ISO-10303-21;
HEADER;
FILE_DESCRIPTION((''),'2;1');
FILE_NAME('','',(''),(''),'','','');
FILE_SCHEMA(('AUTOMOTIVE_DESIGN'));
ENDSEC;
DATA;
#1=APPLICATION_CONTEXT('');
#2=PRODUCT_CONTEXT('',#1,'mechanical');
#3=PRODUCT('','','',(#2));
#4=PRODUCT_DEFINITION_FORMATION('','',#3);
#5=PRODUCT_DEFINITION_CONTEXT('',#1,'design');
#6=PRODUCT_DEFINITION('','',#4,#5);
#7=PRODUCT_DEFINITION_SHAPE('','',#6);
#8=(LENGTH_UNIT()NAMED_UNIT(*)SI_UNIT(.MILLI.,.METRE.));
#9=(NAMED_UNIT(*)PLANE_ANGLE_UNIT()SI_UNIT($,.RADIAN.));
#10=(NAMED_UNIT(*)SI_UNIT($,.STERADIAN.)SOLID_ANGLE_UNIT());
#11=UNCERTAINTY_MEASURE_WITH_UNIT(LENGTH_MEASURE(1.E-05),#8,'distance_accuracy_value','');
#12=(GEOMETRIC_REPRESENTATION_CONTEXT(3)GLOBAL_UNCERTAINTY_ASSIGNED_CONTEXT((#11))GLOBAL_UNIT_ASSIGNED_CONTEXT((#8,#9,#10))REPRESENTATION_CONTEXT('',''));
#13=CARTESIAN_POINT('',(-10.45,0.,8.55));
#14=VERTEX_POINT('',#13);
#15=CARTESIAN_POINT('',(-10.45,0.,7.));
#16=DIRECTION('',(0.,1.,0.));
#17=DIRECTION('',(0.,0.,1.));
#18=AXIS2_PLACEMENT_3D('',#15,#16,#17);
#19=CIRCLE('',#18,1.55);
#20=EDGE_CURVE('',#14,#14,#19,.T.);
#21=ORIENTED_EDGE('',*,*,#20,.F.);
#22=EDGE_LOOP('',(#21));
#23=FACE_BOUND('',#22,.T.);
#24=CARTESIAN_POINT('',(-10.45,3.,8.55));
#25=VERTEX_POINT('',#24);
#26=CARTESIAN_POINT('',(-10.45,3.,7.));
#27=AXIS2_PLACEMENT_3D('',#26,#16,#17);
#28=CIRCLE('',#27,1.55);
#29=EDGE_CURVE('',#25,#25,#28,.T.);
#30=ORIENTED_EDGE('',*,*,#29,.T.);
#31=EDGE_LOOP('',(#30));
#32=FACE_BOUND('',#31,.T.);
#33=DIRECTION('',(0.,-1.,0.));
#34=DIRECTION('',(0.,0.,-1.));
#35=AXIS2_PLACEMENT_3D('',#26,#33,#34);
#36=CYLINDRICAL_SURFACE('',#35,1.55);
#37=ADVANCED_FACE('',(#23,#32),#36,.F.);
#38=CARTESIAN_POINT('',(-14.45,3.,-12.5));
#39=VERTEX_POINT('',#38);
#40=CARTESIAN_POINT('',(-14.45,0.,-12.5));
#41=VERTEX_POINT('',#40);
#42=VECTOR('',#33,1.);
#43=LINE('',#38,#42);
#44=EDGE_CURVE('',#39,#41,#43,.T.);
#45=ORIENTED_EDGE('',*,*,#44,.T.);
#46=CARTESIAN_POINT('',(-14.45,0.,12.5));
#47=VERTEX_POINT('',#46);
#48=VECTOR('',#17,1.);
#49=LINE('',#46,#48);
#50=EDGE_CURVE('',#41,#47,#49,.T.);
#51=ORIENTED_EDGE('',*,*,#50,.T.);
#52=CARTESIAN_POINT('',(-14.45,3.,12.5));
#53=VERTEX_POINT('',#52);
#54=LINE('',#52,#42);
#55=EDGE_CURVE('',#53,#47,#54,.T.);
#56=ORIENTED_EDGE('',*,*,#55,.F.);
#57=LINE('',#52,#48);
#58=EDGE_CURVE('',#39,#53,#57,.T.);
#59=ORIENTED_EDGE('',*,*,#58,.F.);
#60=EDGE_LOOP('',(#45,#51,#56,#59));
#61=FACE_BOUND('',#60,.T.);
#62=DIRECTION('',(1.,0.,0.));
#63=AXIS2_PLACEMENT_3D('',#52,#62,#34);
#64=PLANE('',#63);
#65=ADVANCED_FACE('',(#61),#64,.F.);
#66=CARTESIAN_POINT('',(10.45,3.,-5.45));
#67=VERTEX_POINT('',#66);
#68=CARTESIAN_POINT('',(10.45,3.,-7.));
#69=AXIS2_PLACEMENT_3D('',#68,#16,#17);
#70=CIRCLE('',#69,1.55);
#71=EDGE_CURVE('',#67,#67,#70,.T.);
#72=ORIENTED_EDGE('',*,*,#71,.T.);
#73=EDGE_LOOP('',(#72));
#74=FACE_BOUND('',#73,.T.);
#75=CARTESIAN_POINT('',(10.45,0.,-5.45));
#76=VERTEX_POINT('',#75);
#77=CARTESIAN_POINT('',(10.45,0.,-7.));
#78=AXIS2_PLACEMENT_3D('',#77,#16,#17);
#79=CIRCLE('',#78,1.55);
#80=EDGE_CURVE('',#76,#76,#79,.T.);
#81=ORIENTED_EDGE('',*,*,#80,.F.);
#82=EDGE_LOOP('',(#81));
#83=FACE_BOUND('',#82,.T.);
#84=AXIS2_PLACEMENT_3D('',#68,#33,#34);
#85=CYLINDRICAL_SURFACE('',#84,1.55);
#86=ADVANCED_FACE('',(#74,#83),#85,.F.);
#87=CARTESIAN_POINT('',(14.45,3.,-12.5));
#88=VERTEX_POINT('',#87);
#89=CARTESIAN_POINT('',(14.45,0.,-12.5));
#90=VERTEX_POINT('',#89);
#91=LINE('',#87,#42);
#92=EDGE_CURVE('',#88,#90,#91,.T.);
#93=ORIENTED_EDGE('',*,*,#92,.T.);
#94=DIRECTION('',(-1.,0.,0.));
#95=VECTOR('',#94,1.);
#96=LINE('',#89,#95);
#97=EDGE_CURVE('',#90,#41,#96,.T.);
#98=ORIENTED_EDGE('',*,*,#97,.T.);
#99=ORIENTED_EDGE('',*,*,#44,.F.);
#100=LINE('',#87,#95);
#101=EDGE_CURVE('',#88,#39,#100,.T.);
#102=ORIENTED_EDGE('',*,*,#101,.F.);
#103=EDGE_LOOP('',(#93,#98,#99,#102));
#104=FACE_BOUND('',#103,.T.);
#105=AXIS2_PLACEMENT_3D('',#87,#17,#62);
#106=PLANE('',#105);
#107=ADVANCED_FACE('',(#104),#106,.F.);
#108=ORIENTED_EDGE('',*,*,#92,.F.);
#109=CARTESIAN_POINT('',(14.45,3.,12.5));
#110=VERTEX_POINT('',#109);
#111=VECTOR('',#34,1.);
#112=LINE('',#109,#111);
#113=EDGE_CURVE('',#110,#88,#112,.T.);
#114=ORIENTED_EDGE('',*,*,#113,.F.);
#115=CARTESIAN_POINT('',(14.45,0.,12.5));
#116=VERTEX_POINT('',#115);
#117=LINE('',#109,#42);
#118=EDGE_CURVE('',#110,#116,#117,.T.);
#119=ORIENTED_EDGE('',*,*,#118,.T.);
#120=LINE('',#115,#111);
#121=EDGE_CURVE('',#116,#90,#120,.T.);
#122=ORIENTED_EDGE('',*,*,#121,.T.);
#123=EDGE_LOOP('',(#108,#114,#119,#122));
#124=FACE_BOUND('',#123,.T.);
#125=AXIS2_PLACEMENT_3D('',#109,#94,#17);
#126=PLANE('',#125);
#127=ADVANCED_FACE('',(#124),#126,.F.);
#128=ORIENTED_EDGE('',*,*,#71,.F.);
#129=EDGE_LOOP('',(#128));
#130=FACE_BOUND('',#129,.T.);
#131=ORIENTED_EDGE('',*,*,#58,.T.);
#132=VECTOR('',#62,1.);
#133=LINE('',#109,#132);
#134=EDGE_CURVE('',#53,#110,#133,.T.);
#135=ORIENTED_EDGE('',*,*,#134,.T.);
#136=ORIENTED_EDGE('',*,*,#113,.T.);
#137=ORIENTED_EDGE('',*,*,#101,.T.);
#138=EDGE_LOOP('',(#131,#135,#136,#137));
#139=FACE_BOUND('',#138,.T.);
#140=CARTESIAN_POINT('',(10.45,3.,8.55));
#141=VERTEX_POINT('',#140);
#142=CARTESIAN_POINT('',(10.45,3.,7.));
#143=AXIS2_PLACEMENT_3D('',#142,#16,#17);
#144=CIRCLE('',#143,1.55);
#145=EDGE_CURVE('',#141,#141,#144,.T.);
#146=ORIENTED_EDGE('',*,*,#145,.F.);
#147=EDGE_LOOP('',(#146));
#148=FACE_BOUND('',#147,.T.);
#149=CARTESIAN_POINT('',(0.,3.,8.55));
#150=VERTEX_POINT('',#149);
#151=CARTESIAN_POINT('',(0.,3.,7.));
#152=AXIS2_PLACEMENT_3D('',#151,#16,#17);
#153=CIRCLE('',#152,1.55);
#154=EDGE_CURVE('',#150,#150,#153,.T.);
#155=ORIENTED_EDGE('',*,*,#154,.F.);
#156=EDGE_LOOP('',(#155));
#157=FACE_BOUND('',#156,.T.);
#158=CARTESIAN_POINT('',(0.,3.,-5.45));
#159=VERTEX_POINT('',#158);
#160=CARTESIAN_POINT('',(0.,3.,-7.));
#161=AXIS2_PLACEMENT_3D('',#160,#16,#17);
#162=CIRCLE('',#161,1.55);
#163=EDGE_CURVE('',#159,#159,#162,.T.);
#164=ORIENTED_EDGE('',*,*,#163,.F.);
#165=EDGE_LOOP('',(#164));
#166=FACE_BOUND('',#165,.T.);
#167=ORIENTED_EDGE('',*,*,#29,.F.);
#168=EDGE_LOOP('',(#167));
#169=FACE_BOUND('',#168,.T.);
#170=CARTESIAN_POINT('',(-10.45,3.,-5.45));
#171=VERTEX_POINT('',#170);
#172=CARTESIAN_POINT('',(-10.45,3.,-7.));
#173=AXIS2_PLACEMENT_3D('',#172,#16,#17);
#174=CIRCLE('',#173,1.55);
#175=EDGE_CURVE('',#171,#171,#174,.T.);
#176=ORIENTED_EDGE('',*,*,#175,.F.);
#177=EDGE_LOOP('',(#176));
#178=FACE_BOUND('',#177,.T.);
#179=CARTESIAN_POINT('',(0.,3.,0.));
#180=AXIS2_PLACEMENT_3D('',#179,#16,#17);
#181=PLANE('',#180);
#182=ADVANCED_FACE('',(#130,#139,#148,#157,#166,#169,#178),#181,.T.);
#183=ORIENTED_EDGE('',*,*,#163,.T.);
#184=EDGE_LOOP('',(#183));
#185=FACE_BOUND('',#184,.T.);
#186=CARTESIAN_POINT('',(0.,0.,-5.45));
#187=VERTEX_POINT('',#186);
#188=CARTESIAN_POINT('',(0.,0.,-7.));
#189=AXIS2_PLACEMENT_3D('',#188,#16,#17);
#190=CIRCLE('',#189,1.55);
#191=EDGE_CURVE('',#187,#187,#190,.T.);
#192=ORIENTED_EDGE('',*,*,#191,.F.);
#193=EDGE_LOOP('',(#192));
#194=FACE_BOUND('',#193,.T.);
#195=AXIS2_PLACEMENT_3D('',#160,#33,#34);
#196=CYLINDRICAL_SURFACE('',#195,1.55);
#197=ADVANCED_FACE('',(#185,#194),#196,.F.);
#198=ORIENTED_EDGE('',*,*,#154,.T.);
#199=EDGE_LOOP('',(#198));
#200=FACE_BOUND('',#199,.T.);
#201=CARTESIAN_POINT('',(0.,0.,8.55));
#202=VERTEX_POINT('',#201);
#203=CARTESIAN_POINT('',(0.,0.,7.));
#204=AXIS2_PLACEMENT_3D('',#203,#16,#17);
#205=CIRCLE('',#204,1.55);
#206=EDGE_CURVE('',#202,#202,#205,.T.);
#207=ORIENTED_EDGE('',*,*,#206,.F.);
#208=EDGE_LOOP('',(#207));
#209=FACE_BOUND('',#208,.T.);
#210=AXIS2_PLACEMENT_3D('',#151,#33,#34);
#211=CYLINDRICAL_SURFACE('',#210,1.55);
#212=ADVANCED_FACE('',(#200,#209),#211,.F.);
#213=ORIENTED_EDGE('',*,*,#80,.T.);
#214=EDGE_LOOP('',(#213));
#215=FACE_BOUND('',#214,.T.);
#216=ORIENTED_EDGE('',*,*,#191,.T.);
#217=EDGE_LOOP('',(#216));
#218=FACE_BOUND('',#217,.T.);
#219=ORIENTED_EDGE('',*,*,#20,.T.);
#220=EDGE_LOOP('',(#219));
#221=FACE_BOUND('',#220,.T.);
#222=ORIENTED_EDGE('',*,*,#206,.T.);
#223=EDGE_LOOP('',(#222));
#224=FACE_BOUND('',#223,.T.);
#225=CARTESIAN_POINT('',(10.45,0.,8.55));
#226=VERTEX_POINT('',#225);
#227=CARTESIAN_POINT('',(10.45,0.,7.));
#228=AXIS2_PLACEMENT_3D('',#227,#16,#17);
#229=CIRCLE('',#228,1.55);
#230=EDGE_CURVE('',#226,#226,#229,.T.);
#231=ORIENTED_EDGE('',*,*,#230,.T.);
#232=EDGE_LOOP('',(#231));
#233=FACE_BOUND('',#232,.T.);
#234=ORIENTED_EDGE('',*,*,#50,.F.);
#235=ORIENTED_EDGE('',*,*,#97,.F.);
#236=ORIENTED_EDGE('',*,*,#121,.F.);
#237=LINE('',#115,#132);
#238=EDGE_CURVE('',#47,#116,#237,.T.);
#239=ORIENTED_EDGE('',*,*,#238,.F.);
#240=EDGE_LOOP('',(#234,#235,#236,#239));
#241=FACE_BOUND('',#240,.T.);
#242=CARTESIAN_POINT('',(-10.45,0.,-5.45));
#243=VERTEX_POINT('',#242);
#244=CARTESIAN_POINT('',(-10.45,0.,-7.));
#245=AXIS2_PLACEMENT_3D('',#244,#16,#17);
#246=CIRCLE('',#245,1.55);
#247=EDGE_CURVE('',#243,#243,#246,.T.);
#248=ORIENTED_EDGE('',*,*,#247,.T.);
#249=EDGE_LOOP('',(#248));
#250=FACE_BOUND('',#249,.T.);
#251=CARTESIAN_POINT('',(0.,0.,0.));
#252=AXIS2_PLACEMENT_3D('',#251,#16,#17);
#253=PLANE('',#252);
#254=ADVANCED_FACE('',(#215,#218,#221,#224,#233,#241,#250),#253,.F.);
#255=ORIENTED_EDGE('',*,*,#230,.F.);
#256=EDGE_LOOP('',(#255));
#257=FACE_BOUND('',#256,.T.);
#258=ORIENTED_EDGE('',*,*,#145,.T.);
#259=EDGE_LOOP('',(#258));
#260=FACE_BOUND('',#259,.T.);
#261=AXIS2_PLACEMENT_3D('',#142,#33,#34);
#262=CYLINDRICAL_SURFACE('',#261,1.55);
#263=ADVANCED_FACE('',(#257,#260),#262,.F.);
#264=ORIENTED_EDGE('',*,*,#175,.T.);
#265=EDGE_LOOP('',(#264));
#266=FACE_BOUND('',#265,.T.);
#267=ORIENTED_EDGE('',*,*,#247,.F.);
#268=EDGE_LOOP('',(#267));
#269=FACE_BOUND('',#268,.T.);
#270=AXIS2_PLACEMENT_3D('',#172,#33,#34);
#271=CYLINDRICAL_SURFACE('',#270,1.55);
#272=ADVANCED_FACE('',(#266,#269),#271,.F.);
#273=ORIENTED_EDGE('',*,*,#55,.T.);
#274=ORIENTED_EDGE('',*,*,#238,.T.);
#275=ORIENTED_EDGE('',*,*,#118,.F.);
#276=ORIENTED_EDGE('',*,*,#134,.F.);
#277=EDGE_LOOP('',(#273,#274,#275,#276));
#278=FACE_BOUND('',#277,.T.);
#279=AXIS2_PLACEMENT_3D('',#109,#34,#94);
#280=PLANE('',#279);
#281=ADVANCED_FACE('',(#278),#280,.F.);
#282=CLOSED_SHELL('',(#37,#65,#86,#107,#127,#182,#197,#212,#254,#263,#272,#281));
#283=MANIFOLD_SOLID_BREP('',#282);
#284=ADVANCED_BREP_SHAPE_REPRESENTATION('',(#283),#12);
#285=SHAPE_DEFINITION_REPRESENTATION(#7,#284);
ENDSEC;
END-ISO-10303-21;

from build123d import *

# Parameters (mm, degrees)
SKETCH_1_W      = 28.9
SKETCH_1_H      = 25
SKETCH_1_R      = 1.55
EXTRUDE_1_DEPTH = 3


with BuildPart() as part:
    # 草图1 → 凸台-拉伸1 (new body)
    with BuildSketch(Plane(origin=(0, 0, 0), x_dir=(1, 0, 0), z_dir=(0, 1, 0))):
        Rectangle(SKETCH_1_W, SKETCH_1_H)
        with Locations(Location((10.45, 7, 0), (0, 0, 270))):
            Circle(SKETCH_1_R, mode=Mode.SUBTRACT)
        with Locations(Location((10.45, -7, 0), (0, 0, 270))):
            Circle(SKETCH_1_R, mode=Mode.SUBTRACT)
        with Locations(Location((-10.45, -7, 0), (0, 0, 270))):
            Circle(SKETCH_1_R, mode=Mode.SUBTRACT)
        with Locations(Location((-10.45, 7, 0), (0, 0, 270))):
            Circle(SKETCH_1_R, mode=Mode.SUBTRACT)
        with Locations(Location((0, 7, 0), (0, 0, 270))):
            Circle(SKETCH_1_R, mode=Mode.SUBTRACT)
        with Locations(Location((0, -7, 0), (0, 0, 270))):
            Circle(SKETCH_1_R, mode=Mode.SUBTRACT)
    extrude(amount=EXTRUDE_1_DEPTH)


solid = part.part
